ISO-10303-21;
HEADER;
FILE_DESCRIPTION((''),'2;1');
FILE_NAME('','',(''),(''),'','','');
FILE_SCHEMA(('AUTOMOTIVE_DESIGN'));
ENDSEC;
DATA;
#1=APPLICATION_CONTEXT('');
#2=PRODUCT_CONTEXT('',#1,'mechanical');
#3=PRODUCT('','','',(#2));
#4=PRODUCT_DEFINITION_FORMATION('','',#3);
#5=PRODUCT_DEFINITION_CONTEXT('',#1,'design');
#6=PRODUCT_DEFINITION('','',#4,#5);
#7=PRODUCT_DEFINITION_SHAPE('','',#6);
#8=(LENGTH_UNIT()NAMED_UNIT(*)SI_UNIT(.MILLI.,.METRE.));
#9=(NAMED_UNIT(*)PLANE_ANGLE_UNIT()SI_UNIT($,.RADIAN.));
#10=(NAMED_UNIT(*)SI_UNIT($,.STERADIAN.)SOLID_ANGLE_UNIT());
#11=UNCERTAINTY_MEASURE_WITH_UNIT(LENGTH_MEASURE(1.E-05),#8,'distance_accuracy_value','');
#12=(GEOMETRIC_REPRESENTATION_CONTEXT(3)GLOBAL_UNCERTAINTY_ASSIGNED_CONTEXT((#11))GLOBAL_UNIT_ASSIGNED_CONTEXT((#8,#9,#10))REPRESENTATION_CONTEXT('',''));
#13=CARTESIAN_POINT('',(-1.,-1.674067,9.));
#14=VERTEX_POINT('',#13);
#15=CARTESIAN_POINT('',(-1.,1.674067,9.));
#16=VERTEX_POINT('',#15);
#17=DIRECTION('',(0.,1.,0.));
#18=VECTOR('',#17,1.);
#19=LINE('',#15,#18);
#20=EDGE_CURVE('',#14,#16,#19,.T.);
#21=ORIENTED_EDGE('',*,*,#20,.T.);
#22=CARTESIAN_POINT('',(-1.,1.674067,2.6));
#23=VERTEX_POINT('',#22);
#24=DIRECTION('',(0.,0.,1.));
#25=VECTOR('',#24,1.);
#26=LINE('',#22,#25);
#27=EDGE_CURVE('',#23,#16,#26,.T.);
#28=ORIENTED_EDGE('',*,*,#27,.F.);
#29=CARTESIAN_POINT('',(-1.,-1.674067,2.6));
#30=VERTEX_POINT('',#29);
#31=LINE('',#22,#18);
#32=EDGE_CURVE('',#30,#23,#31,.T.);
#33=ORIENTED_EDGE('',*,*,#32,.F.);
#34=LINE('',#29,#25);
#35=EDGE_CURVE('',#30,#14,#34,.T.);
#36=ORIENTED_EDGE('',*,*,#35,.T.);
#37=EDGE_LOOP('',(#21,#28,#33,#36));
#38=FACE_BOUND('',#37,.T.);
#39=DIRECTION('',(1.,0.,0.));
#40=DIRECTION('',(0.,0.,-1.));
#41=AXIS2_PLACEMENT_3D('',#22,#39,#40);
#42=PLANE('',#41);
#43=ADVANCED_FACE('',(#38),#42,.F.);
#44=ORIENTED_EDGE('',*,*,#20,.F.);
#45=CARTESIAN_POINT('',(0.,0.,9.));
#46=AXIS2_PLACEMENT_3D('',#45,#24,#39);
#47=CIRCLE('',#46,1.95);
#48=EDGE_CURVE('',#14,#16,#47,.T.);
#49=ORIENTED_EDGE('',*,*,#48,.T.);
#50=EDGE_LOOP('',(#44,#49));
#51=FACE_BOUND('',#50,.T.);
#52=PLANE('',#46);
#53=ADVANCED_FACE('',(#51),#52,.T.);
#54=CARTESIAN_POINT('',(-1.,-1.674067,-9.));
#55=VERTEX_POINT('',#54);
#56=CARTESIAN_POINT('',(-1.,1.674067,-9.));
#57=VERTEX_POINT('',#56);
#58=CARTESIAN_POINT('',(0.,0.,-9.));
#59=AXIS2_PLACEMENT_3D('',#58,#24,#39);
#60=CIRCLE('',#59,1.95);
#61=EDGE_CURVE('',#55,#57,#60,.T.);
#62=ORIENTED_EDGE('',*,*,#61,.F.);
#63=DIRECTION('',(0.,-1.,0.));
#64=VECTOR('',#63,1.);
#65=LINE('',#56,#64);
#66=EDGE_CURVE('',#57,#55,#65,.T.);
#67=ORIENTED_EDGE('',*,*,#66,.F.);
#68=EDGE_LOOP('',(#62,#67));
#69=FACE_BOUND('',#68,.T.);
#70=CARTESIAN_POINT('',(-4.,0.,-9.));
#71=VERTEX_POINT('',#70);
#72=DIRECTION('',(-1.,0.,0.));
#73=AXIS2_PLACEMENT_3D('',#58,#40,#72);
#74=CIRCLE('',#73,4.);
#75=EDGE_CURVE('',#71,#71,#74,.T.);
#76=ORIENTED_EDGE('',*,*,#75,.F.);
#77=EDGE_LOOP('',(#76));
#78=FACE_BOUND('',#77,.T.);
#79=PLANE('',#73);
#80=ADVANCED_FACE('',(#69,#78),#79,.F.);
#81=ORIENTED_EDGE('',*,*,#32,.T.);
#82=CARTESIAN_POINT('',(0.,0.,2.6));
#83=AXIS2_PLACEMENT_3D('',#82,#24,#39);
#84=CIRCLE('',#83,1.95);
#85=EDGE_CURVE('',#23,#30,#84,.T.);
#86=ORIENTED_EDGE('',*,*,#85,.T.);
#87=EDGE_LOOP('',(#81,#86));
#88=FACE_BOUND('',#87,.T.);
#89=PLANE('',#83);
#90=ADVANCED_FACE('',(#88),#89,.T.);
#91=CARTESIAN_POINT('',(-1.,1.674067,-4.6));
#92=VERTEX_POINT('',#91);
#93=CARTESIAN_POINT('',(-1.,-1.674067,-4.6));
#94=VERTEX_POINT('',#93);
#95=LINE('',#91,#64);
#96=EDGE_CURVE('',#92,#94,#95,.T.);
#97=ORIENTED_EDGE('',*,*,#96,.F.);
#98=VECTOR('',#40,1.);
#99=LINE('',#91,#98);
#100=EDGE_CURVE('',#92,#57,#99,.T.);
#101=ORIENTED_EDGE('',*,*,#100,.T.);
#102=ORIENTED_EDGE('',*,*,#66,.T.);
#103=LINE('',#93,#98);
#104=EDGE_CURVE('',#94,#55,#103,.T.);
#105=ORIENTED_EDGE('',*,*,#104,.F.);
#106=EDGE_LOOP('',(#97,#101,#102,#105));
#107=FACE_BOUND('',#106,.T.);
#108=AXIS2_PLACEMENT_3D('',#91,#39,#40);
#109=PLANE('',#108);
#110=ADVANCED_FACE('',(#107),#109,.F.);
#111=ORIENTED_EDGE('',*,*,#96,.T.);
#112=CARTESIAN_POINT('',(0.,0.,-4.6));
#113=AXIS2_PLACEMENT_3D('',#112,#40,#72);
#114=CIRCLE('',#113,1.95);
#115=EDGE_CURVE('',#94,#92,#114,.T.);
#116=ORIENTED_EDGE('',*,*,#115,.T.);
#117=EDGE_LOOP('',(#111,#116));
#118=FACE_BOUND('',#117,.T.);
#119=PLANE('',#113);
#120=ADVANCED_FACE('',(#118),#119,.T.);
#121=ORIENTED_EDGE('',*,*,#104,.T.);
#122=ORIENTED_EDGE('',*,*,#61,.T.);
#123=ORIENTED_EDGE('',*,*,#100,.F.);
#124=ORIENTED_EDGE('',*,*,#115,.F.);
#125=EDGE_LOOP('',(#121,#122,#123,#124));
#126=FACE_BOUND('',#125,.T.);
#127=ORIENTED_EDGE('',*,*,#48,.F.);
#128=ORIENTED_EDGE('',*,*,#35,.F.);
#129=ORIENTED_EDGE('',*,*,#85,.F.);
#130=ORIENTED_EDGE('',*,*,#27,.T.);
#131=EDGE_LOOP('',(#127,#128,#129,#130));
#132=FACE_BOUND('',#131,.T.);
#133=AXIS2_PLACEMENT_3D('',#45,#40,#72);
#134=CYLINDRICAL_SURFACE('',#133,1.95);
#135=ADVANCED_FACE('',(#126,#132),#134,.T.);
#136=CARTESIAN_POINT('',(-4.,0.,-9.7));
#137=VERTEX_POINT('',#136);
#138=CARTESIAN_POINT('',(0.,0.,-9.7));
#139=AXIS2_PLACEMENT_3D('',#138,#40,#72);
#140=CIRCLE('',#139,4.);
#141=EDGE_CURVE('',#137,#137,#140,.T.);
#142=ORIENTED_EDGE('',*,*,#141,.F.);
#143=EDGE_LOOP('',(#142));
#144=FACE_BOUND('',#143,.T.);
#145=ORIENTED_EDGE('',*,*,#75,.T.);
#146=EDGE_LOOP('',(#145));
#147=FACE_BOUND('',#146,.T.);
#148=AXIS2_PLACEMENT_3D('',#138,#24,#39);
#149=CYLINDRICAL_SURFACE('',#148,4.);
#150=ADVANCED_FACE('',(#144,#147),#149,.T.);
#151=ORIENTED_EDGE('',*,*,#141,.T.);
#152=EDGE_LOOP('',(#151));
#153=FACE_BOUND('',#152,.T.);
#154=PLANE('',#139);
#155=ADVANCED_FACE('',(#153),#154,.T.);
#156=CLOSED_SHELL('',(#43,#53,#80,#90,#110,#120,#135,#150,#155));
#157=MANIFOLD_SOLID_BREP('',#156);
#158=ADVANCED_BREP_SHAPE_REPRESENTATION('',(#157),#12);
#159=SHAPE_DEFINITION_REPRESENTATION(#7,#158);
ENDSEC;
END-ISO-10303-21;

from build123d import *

# Parameters (mm, degrees)
SKETCH2_R           = 1.95
BOSS_EXTRUDE1_DEPTH = 9
CUT_EXTRUDE1_DEPTH  = 4.4
SKETCH5_R           = 4
BOSS_EXTRUDE2_DEPTH = 0.7
CUT_EXTRUDE2_DEPTH  = 6.4


with BuildPart() as part:
    # Sketch2 → Boss-Extrude1 (new body, symmetric)
    with BuildSketch(Plane.XY):
        Circle(SKETCH2_R)
    extrude(amount=BOSS_EXTRUDE1_DEPTH, both=True)

    # Sketch4 → Cut-Extrude1 (cut)
    with BuildSketch(Plane(origin=(0, 0, -9), x_dir=(-1, 0, 0), z_dir=(0, 0, -1))):
        with BuildLine():
            Line((1, 1.674066904), (1, -1.674066904))
            ThreePointArc((1, -1.674066904), (1.95, 0), (1, 1.674066904))
        make_face()
    extrude(amount=-CUT_EXTRUDE1_DEPTH, mode=Mode.SUBTRACT)

    # Sketch5 → Boss-Extrude2 (add)
    with BuildSketch(Plane(origin=(0, 0, -9), x_dir=(-1, 0, 0), z_dir=(0, 0, -1))):
        Circle(SKETCH5_R)
    extrude(amount=BOSS_EXTRUDE2_DEPTH)

    # Sketch9 → Cut-Extrude2 (cut)
    with BuildSketch(Plane.XY.offset(9)):
        with BuildLine():
            Line((-1, 1.674066904), (-1, -1.674066904))
            ThreePointArc((-1, -1.674066904), (-1.95, 0), (-1, 1.674066904))
        make_face()
    extrude(amount=-CUT_EXTRUDE2_DEPTH, mode=Mode.SUBTRACT)


solid = part.part
